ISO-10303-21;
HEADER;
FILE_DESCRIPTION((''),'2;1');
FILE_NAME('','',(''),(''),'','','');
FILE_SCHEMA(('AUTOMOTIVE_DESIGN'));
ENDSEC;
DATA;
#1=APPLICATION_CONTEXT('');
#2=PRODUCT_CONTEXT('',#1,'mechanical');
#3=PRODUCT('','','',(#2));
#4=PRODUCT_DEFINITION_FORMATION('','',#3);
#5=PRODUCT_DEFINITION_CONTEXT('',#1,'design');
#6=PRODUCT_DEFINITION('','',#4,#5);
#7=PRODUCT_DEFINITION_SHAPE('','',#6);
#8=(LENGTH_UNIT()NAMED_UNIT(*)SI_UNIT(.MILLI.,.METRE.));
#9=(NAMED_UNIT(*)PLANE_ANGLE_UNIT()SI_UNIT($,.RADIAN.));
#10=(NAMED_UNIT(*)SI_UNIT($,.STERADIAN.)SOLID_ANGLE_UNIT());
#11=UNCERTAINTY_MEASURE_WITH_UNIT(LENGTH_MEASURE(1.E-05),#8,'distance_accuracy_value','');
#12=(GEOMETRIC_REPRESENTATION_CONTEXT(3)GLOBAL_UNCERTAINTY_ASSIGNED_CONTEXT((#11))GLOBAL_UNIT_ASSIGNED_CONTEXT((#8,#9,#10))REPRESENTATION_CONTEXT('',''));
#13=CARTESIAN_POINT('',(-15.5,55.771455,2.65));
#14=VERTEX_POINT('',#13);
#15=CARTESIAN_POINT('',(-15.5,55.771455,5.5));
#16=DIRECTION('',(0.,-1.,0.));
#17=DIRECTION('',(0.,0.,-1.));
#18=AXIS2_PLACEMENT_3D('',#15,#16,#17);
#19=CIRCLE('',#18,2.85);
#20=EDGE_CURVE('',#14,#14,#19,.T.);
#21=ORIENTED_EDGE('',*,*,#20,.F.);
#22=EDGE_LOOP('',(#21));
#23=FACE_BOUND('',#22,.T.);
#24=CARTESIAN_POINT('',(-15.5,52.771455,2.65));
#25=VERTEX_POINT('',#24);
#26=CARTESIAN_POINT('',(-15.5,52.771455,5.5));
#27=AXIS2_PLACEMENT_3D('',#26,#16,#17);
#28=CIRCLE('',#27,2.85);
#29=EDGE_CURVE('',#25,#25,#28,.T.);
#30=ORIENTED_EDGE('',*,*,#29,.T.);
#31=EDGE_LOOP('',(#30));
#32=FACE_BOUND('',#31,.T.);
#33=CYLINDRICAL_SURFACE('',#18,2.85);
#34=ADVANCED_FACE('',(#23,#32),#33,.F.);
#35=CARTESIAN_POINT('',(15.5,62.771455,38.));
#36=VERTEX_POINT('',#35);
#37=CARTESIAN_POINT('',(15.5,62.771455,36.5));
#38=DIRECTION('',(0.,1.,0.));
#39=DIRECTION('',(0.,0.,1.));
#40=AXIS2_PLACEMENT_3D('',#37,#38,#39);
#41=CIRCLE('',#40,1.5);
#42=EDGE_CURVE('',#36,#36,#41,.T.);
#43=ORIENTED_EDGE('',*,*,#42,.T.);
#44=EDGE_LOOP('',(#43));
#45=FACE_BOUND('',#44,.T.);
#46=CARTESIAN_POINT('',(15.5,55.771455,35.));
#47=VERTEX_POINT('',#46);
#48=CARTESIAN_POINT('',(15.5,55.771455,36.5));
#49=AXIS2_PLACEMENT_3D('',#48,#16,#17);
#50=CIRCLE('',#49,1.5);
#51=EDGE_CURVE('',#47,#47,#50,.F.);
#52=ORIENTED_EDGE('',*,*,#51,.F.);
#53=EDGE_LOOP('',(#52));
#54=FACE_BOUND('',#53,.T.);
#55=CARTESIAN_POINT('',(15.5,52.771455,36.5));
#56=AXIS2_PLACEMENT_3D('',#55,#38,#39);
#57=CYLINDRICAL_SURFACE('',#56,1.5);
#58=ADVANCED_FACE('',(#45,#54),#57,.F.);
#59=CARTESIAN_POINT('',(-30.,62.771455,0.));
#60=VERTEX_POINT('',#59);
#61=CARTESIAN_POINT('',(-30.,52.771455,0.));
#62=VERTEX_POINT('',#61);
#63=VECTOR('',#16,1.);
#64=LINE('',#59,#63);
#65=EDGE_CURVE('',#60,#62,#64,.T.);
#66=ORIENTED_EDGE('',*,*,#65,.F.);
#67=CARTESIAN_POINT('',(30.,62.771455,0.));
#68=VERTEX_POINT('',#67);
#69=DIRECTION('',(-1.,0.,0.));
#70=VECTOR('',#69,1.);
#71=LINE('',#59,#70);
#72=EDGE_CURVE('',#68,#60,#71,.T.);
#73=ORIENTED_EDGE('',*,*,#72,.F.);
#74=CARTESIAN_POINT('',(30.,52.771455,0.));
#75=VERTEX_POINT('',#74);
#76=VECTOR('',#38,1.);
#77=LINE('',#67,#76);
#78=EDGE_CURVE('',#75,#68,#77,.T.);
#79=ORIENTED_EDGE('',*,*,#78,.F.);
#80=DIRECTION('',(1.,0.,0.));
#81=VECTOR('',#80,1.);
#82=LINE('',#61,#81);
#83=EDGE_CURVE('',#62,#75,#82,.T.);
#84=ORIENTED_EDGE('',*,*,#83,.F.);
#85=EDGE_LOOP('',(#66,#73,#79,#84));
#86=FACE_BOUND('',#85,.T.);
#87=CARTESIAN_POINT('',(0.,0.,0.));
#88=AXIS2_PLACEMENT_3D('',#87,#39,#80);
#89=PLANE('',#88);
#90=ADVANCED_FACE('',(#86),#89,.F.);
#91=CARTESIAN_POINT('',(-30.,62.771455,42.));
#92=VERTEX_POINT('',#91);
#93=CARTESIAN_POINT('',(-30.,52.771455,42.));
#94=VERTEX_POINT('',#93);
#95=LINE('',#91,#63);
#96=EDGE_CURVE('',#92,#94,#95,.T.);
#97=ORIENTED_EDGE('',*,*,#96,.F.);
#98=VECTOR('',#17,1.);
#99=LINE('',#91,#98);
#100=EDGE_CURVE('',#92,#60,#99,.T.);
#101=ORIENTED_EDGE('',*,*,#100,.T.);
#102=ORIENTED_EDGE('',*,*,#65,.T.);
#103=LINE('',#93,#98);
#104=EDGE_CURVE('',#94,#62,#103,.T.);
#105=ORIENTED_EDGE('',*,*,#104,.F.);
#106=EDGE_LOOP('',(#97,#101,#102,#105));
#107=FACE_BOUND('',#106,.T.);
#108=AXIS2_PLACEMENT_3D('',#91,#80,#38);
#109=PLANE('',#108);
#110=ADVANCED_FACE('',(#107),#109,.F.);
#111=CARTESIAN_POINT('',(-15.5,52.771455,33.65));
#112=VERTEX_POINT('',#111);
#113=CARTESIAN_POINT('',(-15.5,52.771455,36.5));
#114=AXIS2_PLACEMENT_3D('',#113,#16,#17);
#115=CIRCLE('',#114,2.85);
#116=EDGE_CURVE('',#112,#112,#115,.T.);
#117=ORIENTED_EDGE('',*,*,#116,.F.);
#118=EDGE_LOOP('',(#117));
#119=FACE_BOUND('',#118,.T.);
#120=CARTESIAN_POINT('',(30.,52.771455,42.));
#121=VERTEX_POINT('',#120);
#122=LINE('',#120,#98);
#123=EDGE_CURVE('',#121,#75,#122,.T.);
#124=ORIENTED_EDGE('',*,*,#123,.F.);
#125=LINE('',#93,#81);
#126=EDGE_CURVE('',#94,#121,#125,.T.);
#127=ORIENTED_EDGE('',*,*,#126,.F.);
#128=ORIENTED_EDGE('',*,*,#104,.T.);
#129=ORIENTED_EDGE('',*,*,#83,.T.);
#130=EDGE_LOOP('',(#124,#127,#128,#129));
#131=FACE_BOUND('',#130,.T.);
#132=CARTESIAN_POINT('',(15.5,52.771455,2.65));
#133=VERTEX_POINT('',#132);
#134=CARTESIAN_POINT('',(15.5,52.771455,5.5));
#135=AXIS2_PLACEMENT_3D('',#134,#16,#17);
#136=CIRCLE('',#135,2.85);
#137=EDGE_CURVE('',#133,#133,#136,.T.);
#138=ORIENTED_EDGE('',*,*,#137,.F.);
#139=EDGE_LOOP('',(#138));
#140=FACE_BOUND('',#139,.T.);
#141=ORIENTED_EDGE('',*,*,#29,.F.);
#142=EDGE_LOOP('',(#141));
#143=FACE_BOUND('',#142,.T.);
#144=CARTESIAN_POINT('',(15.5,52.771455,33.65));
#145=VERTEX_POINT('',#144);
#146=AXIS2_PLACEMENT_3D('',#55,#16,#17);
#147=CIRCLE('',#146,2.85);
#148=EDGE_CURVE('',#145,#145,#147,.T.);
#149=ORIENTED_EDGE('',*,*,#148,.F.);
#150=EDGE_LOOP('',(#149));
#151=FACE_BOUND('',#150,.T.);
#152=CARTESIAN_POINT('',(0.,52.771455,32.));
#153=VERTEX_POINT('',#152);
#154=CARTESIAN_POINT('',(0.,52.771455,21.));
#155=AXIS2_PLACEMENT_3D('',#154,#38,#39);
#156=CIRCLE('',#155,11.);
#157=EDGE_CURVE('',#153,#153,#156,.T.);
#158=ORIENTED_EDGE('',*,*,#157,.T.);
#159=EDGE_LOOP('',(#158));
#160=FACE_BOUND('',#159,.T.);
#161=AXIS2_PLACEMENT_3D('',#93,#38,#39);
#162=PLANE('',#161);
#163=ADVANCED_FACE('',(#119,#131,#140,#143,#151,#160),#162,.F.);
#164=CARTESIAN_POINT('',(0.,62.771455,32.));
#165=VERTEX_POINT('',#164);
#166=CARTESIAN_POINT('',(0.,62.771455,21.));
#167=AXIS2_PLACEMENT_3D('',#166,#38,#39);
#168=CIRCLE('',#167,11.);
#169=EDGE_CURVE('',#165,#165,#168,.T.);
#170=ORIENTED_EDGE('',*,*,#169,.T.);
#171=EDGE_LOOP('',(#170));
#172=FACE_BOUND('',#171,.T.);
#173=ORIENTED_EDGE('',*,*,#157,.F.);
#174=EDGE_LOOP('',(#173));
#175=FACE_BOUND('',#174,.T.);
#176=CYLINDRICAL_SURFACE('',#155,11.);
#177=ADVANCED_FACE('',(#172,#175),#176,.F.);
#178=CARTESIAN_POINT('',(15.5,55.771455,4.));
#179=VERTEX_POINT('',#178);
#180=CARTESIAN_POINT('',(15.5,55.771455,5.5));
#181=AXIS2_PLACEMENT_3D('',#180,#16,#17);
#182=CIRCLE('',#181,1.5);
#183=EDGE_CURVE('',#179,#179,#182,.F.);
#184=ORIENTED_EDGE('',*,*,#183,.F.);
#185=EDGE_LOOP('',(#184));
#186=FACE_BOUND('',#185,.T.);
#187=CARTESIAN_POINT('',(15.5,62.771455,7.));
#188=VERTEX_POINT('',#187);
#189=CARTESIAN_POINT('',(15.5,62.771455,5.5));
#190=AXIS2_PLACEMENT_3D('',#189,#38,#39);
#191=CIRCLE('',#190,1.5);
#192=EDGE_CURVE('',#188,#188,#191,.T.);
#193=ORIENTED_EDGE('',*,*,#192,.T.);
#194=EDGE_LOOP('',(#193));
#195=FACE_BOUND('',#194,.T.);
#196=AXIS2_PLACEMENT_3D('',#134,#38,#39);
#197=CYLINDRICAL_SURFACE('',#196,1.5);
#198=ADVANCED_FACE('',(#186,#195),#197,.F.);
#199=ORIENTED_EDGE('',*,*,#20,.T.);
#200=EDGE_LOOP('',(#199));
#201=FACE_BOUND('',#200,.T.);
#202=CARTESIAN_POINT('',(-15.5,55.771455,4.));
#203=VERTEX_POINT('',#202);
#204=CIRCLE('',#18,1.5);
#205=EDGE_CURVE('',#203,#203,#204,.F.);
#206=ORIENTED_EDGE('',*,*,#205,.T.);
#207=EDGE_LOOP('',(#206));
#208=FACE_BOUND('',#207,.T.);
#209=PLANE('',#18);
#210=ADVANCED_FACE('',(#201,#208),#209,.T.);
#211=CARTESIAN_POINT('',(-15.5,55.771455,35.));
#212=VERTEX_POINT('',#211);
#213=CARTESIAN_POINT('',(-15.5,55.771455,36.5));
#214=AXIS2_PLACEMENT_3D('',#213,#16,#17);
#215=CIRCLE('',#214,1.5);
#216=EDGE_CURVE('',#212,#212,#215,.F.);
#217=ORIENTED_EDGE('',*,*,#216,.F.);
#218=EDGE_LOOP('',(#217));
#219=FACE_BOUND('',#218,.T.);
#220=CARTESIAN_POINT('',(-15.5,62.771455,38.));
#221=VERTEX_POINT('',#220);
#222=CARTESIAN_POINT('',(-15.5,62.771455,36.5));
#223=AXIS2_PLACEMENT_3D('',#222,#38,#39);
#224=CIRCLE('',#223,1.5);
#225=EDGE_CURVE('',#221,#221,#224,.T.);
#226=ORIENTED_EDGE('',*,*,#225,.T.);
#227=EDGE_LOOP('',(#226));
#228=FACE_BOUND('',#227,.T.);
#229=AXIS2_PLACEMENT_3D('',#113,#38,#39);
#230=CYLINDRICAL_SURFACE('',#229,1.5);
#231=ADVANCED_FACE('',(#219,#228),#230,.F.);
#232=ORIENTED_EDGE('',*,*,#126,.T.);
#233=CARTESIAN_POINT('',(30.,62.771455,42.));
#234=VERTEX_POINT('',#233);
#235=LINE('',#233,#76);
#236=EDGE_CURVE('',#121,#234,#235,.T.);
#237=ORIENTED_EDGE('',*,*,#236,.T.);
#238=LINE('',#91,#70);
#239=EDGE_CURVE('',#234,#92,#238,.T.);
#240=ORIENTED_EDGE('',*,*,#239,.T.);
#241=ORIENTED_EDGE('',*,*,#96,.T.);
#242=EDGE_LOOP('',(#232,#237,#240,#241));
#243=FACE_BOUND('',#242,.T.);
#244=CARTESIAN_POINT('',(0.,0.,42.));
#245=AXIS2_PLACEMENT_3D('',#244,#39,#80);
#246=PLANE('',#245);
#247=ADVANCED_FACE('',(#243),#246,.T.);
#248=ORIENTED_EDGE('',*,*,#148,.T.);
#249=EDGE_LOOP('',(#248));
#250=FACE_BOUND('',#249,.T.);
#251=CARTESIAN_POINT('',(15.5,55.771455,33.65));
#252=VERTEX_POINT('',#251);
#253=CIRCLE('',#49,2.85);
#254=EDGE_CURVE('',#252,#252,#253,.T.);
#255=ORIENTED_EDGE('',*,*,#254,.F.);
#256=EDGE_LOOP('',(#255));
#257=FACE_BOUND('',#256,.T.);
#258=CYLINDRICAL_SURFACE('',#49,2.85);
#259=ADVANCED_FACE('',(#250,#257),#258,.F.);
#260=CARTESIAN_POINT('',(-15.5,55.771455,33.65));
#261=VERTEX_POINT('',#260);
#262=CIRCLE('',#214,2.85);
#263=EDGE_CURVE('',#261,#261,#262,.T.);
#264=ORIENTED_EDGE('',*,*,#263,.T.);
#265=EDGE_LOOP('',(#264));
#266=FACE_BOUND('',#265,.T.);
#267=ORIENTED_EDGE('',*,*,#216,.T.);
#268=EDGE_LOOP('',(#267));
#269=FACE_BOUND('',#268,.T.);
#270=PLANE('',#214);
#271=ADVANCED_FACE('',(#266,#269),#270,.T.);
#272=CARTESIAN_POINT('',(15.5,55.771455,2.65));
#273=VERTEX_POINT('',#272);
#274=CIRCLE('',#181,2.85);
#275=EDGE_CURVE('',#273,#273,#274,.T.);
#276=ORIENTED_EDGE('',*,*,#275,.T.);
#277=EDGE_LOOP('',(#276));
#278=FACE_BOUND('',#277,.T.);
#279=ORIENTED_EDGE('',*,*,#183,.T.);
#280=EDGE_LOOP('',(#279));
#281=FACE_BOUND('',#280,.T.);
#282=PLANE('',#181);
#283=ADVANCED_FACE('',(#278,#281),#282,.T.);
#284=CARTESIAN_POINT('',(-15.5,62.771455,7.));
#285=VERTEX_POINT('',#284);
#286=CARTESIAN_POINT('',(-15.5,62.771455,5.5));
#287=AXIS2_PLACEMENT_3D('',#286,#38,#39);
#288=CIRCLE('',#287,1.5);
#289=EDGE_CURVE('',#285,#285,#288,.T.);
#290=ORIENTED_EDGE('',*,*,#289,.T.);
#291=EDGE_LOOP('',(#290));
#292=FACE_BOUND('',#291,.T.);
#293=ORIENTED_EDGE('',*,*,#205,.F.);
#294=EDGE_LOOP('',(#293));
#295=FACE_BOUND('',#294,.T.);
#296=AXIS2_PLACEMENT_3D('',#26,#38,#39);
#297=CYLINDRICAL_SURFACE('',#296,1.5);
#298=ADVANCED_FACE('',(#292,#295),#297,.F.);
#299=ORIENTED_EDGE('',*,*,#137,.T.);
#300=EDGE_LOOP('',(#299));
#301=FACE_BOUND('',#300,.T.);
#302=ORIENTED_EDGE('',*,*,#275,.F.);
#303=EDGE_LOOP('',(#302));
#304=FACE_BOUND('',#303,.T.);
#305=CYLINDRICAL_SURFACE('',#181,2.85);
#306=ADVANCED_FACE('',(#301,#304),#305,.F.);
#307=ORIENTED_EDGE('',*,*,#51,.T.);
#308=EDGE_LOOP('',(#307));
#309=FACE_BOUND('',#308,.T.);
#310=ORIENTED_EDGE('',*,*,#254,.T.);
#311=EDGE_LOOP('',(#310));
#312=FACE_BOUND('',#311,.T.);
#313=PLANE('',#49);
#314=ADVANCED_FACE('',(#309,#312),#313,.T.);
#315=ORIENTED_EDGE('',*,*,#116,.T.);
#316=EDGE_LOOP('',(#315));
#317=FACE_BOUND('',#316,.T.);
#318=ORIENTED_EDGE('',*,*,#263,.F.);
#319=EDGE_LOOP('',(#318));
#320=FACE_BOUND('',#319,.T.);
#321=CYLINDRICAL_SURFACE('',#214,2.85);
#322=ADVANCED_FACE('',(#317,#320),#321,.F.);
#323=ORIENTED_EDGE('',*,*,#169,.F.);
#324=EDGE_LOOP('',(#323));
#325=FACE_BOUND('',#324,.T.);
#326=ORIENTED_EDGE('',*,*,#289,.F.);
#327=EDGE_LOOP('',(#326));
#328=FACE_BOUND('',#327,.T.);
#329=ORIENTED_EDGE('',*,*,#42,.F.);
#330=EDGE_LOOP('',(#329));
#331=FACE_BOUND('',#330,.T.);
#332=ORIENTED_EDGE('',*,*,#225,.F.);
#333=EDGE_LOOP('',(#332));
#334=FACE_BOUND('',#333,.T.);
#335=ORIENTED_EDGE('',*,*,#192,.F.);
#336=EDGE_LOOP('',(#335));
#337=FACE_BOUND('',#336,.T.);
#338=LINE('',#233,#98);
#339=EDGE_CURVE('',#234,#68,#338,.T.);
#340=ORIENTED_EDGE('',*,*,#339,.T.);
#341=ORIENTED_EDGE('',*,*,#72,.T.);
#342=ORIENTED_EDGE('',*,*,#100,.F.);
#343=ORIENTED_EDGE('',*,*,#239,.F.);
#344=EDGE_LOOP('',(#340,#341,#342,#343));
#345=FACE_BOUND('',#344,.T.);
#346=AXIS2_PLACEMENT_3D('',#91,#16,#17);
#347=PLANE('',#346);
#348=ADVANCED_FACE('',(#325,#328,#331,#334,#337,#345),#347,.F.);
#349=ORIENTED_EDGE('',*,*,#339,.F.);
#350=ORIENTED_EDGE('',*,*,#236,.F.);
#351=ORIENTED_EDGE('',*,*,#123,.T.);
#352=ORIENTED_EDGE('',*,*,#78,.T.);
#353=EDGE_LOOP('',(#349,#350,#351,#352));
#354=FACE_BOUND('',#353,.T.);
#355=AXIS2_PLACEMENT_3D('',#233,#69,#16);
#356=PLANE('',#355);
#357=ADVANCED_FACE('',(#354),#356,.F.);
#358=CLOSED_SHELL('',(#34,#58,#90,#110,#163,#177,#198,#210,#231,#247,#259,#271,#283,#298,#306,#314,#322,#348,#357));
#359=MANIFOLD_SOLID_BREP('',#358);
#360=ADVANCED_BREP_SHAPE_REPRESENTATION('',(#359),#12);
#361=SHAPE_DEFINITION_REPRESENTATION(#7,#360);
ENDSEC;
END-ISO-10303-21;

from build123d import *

# Parameters (mm, degrees)
SKETCH1_W           = 60
SKETCH1_H           = 10
BOSS_EXTRUDE1_DEPTH = 42
SKETCH2_R           = 11
SKETCH2_R_2         = 1.5
CUT_EXTRUDE1_DEPTH  = 11
SKETCH3_R           = 2.85
CUT_EXTRUDE2_DEPTH  = 3


with BuildPart() as part:
    # Sketch1 → Boss-Extrude1 (new body)
    with BuildSketch(Plane.XY):
        with Locations((0, 57.771455045)):
            Rectangle(SKETCH1_W, SKETCH1_H)
    extrude(amount=BOSS_EXTRUDE1_DEPTH)

    # Sketch2 → Cut-Extrude1 (cut, through all)
    with BuildSketch(Plane(origin=(0, 62.771455045, 0), x_dir=(1, 0, 0), z_dir=(0, 1, 0))):
        with Locations((0, -21)):
            Circle(SKETCH2_R)
        with Locations((-15.5, -36.5)):
            Circle(SKETCH2_R_2)
        with Locations((15.5, -36.5)):
            Circle(SKETCH2_R_2)
        with Locations((-15.5, -5.5)):
            Circle(SKETCH2_R_2)
        with Locations((15.5, -5.5)):
            Circle(SKETCH2_R_2)
    extrude(amount=-CUT_EXTRUDE1_DEPTH, mode=Mode.SUBTRACT)

    # Sketch3 → Cut-Extrude2 (cut)
    with BuildSketch(Plane.XZ.offset(-52.771455045)):
        with Locations((-15.5, 36.5)):
            Circle(SKETCH3_R)
        with Locations((15.5, 36.5)):
            Circle(SKETCH3_R)
        with Locations((15.5, 5.5)):
            Circle(SKETCH3_R)
        with Locations((-15.5, 5.5)):
            Circle(SKETCH3_R)
    extrude(amount=-CUT_EXTRUDE2_DEPTH, mode=Mode.SUBTRACT)


solid = part.part
